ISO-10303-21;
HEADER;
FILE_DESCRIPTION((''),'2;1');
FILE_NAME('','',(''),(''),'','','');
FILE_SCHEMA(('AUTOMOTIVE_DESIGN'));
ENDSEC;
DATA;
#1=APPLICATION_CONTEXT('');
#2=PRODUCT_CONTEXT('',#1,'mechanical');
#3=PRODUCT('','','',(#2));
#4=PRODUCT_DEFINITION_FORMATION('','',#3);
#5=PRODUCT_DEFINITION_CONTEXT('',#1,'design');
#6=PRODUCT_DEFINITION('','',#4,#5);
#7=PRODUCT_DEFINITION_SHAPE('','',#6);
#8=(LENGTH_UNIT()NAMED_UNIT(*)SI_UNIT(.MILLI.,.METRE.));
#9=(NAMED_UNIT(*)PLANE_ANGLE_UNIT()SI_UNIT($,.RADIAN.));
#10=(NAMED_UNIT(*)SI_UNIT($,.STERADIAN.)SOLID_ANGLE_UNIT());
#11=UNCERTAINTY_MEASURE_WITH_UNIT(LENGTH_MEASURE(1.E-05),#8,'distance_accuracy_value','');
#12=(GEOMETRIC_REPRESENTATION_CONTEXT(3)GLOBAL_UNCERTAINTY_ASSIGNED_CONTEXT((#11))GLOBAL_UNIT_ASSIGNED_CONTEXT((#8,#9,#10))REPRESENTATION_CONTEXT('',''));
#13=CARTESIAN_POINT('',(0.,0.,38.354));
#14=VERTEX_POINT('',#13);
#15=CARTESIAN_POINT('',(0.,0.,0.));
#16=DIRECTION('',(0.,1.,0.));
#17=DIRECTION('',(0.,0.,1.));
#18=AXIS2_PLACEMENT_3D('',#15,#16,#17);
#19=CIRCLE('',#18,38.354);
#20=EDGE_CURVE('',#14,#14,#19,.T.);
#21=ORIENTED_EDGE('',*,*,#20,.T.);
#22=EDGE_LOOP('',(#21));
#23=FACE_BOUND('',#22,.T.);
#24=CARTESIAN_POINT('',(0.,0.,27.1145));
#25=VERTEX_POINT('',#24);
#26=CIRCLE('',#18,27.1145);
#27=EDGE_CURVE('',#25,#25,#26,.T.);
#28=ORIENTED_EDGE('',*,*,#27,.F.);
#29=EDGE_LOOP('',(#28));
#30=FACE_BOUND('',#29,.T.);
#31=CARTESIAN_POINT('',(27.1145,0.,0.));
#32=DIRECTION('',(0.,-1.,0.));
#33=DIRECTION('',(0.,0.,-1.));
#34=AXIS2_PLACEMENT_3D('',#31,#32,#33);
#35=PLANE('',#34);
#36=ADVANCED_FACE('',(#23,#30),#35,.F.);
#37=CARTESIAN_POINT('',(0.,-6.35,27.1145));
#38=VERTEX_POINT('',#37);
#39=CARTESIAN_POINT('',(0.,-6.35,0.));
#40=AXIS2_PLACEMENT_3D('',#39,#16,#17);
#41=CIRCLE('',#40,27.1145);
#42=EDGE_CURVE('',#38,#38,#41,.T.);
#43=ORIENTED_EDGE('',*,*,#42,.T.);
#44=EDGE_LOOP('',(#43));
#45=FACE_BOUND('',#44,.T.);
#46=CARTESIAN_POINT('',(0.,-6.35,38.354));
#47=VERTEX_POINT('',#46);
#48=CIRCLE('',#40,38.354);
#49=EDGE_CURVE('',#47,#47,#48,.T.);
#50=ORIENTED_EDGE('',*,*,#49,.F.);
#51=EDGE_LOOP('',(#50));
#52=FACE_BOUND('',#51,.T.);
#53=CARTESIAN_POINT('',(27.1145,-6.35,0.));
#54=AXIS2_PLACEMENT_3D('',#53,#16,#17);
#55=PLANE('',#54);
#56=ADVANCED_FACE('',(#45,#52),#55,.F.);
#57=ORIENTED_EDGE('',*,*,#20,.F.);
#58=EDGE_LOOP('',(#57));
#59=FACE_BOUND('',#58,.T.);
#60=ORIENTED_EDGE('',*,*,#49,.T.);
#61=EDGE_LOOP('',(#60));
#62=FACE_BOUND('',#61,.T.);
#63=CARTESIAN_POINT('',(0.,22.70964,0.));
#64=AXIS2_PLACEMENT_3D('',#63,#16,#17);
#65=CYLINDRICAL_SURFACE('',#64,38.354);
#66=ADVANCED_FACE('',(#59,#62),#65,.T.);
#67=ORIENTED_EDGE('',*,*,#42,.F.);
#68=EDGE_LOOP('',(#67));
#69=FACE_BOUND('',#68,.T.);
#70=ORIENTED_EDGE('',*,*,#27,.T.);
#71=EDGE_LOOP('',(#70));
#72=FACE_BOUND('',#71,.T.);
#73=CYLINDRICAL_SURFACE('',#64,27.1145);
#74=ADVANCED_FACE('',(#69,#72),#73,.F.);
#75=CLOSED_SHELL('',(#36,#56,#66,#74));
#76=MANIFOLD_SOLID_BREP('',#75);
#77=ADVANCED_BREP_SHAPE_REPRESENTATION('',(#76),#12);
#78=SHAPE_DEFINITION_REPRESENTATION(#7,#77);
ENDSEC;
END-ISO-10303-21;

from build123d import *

# Parameters (mm, degrees)
SKETCH1_W = 11.2395
SKETCH1_H = 6.35


with BuildPart() as part:
    # Sketch1 → Revolve1 (revolve)
    with BuildSketch(Plane.XY):
        with Locations((32.73425, -3.175)):
            Rectangle(SKETCH1_W, SKETCH1_H)
    revolve(axis=Axis((0, 22.709640493, 0), (0, -1, 0)))


solid = part.part
